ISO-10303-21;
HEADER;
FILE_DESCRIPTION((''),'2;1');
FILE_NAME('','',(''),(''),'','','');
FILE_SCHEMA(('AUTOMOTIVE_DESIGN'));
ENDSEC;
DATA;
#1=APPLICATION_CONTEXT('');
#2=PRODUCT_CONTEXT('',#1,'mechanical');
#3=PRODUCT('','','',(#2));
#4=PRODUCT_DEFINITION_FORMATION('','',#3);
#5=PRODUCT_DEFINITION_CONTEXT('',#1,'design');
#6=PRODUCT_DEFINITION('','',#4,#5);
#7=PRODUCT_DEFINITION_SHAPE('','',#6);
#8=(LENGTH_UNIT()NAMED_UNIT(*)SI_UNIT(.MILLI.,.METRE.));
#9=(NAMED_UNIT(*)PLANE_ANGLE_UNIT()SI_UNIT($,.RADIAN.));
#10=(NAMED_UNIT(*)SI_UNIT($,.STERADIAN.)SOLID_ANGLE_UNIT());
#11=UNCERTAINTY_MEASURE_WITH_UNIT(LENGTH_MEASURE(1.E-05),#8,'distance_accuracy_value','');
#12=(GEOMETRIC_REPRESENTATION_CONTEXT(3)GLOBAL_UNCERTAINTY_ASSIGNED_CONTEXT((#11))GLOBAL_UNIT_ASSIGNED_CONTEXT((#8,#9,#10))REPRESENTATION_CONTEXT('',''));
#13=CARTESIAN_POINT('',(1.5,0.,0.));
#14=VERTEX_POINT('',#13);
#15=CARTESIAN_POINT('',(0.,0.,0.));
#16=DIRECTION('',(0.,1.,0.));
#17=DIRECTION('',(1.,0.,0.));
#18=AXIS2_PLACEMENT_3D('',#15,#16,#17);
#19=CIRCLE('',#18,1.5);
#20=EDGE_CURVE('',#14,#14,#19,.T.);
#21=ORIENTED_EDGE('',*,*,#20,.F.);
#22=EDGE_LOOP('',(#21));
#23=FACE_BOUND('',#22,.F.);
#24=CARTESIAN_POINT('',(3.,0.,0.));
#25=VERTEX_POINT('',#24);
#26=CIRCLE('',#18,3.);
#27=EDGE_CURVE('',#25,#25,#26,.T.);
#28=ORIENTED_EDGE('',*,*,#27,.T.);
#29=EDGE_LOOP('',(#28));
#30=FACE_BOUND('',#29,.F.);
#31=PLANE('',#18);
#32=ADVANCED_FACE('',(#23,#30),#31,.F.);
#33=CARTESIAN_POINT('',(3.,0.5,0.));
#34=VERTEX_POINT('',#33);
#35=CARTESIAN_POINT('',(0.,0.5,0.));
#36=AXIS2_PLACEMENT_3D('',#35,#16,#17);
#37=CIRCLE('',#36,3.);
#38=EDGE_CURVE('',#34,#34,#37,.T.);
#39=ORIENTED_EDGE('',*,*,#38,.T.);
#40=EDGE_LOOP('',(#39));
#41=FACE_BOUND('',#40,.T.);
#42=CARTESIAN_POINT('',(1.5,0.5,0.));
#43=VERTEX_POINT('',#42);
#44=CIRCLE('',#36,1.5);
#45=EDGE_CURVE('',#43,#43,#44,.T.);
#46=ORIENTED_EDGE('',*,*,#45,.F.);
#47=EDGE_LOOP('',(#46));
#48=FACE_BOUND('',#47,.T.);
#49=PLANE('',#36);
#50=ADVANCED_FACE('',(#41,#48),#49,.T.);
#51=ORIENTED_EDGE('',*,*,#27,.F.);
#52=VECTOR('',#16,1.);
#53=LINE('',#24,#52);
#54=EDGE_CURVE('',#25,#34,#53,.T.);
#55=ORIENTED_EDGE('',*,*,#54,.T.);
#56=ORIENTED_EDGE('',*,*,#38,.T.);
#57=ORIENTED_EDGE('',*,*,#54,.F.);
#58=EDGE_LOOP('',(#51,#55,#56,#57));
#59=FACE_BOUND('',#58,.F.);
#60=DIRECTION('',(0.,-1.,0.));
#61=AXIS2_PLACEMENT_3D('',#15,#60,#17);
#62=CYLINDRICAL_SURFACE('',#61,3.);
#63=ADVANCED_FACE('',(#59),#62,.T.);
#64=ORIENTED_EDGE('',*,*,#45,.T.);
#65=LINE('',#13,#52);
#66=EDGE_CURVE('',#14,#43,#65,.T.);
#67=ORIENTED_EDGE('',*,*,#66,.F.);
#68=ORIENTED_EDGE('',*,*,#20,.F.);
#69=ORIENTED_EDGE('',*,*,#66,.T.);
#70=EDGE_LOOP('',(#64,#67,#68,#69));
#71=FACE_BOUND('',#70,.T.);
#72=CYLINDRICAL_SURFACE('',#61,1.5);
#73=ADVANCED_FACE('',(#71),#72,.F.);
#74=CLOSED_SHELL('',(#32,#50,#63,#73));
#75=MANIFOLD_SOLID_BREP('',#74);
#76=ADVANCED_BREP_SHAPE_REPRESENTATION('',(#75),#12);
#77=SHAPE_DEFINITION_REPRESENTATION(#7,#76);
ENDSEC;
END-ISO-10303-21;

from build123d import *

# Parameters (mm, degrees)
SKETCH_1_R      = 3
SKETCH_1_R_2    = 1.5
EXTRUDE_1_DEPTH = 0.5


with BuildPart() as part:
    # 草图1 → 凸台-拉伸1 (new body)
    with BuildSketch(Plane(origin=(0, 0, 0), x_dir=(1, 0, 0), z_dir=(0, 1, 0))):
        Circle(SKETCH_1_R)
        Circle(SKETCH_1_R_2, mode=Mode.SUBTRACT)
    extrude(amount=EXTRUDE_1_DEPTH)


solid = part.part
